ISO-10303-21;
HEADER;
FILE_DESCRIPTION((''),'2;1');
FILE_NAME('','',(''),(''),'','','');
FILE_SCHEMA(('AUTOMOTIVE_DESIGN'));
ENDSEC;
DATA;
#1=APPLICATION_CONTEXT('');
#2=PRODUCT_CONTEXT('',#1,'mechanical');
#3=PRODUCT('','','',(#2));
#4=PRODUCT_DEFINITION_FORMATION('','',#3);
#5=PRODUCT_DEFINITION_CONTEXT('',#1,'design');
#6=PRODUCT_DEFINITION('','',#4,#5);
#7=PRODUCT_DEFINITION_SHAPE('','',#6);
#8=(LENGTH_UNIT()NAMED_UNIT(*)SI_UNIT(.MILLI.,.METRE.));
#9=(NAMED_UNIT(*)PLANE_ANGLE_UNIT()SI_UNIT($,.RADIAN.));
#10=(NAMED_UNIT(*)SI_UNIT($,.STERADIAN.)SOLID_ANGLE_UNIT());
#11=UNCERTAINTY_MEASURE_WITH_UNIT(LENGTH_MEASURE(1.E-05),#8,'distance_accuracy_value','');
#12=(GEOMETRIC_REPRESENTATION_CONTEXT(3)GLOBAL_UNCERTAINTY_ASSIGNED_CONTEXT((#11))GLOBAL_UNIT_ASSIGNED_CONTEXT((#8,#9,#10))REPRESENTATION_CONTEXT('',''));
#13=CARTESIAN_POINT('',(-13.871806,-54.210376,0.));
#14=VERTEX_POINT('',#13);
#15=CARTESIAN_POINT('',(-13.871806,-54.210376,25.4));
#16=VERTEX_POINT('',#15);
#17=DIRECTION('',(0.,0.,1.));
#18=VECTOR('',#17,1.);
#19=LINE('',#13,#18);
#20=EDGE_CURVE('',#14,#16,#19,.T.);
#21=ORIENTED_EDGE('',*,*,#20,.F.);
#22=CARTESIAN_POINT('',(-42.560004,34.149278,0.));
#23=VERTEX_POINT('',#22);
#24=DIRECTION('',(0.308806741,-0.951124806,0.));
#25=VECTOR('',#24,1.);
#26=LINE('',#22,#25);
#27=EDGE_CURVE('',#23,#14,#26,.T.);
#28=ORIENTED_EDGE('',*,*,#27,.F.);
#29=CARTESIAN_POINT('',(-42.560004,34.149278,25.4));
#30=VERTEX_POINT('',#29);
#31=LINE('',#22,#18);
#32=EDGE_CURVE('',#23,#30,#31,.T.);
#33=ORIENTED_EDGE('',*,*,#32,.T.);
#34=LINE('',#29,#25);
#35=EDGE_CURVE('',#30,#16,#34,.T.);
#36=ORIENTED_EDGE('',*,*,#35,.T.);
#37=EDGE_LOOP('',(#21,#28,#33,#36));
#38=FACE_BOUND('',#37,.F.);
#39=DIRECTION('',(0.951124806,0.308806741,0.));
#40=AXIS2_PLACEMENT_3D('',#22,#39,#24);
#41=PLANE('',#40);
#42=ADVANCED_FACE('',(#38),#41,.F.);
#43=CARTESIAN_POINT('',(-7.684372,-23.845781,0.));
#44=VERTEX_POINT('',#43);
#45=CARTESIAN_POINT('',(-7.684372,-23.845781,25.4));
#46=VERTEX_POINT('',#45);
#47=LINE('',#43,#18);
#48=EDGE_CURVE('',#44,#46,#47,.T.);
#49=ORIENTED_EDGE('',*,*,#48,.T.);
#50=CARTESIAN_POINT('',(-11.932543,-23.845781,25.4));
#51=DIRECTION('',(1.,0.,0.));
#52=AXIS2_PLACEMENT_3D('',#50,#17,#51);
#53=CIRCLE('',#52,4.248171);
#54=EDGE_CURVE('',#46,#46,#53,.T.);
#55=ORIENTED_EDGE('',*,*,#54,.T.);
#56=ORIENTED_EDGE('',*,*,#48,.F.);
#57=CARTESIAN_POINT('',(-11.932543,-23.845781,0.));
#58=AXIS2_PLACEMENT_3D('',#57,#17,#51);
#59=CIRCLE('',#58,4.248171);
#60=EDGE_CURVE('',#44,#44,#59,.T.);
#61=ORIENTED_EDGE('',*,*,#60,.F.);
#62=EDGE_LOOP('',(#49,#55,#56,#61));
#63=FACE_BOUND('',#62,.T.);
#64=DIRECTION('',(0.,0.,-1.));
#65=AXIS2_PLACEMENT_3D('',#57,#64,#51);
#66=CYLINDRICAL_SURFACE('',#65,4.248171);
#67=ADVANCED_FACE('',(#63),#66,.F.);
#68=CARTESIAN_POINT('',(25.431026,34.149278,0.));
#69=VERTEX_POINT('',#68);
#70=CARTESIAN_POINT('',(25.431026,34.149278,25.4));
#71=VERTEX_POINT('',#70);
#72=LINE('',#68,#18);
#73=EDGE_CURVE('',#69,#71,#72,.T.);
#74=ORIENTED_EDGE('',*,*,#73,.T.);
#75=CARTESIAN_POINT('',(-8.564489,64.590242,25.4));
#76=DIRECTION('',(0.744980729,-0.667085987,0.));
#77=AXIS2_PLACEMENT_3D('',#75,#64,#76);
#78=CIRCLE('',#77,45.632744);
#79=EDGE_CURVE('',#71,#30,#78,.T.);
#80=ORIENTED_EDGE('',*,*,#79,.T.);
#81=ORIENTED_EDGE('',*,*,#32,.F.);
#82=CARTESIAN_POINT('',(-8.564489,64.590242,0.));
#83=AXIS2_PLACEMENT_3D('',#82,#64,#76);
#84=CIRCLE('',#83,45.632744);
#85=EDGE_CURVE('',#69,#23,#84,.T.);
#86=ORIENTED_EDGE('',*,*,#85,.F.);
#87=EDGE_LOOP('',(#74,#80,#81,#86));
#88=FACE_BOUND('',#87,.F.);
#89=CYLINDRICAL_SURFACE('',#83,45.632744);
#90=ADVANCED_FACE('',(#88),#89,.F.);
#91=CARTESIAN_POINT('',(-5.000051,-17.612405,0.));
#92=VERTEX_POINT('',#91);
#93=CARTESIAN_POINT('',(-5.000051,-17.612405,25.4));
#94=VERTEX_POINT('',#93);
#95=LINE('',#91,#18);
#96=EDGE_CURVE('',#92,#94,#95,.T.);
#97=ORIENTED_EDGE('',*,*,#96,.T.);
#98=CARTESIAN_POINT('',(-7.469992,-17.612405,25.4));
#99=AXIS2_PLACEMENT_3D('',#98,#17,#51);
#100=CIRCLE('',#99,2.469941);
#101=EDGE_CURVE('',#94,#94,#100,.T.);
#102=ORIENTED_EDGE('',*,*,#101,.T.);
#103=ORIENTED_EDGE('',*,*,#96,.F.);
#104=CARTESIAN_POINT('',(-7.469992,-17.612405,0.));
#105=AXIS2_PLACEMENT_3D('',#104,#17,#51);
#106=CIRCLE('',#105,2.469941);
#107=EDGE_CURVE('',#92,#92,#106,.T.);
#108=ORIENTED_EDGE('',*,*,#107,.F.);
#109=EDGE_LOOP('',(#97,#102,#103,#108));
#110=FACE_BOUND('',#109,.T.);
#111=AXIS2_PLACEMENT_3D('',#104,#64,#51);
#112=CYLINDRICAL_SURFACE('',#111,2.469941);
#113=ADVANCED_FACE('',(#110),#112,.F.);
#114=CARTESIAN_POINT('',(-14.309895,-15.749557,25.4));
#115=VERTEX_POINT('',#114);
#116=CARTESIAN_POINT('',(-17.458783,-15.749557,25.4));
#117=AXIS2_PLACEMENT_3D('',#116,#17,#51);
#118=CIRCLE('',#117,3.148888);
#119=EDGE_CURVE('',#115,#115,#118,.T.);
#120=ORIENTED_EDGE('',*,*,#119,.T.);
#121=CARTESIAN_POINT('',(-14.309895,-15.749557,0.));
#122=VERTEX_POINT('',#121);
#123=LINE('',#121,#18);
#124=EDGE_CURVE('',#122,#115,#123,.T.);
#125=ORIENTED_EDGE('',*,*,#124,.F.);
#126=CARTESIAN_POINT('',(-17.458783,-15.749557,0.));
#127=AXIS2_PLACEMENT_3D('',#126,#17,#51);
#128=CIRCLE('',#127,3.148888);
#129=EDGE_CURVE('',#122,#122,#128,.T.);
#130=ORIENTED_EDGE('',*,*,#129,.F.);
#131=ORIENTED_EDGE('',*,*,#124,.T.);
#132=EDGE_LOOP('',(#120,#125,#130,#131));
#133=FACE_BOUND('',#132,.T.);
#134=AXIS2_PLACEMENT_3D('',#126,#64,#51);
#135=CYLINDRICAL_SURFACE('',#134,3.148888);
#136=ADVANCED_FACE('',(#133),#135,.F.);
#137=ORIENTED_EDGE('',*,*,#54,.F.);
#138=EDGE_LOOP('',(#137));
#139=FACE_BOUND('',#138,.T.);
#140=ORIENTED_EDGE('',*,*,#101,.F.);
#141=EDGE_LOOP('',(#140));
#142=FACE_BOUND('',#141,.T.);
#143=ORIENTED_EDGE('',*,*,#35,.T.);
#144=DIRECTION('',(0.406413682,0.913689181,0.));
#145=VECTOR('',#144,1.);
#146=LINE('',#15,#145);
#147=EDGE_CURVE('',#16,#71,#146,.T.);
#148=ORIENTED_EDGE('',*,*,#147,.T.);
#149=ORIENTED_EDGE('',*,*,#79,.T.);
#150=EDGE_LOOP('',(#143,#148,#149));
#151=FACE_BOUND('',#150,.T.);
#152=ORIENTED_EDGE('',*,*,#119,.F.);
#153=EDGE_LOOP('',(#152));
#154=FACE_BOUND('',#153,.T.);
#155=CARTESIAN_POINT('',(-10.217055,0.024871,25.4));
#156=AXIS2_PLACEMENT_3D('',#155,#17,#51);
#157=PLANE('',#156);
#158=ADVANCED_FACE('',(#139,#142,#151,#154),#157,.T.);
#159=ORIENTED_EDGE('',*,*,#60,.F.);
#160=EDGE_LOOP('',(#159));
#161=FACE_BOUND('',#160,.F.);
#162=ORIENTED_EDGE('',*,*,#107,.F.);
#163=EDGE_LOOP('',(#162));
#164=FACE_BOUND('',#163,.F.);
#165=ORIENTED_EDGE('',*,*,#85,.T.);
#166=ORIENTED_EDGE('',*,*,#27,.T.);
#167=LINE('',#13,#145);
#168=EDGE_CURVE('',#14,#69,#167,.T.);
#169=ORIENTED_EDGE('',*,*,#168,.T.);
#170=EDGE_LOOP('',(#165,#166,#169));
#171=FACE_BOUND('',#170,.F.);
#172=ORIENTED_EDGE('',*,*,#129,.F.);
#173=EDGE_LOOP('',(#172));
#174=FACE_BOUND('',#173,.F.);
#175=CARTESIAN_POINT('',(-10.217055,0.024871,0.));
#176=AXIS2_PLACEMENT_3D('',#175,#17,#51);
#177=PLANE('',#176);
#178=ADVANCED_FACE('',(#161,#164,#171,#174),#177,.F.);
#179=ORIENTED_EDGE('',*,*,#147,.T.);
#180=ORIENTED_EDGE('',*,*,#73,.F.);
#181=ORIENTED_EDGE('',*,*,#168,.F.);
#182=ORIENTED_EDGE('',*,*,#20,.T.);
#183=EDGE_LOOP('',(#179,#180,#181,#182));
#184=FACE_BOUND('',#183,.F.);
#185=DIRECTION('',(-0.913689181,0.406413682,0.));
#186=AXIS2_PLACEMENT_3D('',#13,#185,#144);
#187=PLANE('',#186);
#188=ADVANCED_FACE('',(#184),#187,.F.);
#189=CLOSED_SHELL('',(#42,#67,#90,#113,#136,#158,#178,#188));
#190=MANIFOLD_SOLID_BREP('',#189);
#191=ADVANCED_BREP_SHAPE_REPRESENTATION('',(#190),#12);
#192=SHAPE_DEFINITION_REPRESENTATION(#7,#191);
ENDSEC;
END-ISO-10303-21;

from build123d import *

# Parameters (mm, degrees)
F0_R     = 4.248171
F0_R_2   = 3.148888
F0_R_3   = 2.469941
F1_DEPTH = 25.4


with BuildPart() as f1:
    # F0 (on Top) → F1 (new body)
    with BuildSketch(Plane.XY):
        with BuildLine():
            ThreePointArc((25.431026, 34.149278), (-8.564489, 18.957498), (-42.560004, 34.149278))
            Line((-42.560004, 34.149278), (-13.871806, -54.210376))
            Line((-13.871806, -54.210376), (25.431026, 34.149278))
        make_face()
        with Locations((-11.932543, -23.845781)):
            Circle(F0_R, mode=Mode.SUBTRACT)
        with Locations((-17.458783, -15.749557)):
            Circle(F0_R_2, mode=Mode.SUBTRACT)
        with Locations((-7.469992, -17.612405)):
            Circle(F0_R_3, mode=Mode.SUBTRACT)
    extrude(amount=F1_DEPTH)


solid = f1.part
